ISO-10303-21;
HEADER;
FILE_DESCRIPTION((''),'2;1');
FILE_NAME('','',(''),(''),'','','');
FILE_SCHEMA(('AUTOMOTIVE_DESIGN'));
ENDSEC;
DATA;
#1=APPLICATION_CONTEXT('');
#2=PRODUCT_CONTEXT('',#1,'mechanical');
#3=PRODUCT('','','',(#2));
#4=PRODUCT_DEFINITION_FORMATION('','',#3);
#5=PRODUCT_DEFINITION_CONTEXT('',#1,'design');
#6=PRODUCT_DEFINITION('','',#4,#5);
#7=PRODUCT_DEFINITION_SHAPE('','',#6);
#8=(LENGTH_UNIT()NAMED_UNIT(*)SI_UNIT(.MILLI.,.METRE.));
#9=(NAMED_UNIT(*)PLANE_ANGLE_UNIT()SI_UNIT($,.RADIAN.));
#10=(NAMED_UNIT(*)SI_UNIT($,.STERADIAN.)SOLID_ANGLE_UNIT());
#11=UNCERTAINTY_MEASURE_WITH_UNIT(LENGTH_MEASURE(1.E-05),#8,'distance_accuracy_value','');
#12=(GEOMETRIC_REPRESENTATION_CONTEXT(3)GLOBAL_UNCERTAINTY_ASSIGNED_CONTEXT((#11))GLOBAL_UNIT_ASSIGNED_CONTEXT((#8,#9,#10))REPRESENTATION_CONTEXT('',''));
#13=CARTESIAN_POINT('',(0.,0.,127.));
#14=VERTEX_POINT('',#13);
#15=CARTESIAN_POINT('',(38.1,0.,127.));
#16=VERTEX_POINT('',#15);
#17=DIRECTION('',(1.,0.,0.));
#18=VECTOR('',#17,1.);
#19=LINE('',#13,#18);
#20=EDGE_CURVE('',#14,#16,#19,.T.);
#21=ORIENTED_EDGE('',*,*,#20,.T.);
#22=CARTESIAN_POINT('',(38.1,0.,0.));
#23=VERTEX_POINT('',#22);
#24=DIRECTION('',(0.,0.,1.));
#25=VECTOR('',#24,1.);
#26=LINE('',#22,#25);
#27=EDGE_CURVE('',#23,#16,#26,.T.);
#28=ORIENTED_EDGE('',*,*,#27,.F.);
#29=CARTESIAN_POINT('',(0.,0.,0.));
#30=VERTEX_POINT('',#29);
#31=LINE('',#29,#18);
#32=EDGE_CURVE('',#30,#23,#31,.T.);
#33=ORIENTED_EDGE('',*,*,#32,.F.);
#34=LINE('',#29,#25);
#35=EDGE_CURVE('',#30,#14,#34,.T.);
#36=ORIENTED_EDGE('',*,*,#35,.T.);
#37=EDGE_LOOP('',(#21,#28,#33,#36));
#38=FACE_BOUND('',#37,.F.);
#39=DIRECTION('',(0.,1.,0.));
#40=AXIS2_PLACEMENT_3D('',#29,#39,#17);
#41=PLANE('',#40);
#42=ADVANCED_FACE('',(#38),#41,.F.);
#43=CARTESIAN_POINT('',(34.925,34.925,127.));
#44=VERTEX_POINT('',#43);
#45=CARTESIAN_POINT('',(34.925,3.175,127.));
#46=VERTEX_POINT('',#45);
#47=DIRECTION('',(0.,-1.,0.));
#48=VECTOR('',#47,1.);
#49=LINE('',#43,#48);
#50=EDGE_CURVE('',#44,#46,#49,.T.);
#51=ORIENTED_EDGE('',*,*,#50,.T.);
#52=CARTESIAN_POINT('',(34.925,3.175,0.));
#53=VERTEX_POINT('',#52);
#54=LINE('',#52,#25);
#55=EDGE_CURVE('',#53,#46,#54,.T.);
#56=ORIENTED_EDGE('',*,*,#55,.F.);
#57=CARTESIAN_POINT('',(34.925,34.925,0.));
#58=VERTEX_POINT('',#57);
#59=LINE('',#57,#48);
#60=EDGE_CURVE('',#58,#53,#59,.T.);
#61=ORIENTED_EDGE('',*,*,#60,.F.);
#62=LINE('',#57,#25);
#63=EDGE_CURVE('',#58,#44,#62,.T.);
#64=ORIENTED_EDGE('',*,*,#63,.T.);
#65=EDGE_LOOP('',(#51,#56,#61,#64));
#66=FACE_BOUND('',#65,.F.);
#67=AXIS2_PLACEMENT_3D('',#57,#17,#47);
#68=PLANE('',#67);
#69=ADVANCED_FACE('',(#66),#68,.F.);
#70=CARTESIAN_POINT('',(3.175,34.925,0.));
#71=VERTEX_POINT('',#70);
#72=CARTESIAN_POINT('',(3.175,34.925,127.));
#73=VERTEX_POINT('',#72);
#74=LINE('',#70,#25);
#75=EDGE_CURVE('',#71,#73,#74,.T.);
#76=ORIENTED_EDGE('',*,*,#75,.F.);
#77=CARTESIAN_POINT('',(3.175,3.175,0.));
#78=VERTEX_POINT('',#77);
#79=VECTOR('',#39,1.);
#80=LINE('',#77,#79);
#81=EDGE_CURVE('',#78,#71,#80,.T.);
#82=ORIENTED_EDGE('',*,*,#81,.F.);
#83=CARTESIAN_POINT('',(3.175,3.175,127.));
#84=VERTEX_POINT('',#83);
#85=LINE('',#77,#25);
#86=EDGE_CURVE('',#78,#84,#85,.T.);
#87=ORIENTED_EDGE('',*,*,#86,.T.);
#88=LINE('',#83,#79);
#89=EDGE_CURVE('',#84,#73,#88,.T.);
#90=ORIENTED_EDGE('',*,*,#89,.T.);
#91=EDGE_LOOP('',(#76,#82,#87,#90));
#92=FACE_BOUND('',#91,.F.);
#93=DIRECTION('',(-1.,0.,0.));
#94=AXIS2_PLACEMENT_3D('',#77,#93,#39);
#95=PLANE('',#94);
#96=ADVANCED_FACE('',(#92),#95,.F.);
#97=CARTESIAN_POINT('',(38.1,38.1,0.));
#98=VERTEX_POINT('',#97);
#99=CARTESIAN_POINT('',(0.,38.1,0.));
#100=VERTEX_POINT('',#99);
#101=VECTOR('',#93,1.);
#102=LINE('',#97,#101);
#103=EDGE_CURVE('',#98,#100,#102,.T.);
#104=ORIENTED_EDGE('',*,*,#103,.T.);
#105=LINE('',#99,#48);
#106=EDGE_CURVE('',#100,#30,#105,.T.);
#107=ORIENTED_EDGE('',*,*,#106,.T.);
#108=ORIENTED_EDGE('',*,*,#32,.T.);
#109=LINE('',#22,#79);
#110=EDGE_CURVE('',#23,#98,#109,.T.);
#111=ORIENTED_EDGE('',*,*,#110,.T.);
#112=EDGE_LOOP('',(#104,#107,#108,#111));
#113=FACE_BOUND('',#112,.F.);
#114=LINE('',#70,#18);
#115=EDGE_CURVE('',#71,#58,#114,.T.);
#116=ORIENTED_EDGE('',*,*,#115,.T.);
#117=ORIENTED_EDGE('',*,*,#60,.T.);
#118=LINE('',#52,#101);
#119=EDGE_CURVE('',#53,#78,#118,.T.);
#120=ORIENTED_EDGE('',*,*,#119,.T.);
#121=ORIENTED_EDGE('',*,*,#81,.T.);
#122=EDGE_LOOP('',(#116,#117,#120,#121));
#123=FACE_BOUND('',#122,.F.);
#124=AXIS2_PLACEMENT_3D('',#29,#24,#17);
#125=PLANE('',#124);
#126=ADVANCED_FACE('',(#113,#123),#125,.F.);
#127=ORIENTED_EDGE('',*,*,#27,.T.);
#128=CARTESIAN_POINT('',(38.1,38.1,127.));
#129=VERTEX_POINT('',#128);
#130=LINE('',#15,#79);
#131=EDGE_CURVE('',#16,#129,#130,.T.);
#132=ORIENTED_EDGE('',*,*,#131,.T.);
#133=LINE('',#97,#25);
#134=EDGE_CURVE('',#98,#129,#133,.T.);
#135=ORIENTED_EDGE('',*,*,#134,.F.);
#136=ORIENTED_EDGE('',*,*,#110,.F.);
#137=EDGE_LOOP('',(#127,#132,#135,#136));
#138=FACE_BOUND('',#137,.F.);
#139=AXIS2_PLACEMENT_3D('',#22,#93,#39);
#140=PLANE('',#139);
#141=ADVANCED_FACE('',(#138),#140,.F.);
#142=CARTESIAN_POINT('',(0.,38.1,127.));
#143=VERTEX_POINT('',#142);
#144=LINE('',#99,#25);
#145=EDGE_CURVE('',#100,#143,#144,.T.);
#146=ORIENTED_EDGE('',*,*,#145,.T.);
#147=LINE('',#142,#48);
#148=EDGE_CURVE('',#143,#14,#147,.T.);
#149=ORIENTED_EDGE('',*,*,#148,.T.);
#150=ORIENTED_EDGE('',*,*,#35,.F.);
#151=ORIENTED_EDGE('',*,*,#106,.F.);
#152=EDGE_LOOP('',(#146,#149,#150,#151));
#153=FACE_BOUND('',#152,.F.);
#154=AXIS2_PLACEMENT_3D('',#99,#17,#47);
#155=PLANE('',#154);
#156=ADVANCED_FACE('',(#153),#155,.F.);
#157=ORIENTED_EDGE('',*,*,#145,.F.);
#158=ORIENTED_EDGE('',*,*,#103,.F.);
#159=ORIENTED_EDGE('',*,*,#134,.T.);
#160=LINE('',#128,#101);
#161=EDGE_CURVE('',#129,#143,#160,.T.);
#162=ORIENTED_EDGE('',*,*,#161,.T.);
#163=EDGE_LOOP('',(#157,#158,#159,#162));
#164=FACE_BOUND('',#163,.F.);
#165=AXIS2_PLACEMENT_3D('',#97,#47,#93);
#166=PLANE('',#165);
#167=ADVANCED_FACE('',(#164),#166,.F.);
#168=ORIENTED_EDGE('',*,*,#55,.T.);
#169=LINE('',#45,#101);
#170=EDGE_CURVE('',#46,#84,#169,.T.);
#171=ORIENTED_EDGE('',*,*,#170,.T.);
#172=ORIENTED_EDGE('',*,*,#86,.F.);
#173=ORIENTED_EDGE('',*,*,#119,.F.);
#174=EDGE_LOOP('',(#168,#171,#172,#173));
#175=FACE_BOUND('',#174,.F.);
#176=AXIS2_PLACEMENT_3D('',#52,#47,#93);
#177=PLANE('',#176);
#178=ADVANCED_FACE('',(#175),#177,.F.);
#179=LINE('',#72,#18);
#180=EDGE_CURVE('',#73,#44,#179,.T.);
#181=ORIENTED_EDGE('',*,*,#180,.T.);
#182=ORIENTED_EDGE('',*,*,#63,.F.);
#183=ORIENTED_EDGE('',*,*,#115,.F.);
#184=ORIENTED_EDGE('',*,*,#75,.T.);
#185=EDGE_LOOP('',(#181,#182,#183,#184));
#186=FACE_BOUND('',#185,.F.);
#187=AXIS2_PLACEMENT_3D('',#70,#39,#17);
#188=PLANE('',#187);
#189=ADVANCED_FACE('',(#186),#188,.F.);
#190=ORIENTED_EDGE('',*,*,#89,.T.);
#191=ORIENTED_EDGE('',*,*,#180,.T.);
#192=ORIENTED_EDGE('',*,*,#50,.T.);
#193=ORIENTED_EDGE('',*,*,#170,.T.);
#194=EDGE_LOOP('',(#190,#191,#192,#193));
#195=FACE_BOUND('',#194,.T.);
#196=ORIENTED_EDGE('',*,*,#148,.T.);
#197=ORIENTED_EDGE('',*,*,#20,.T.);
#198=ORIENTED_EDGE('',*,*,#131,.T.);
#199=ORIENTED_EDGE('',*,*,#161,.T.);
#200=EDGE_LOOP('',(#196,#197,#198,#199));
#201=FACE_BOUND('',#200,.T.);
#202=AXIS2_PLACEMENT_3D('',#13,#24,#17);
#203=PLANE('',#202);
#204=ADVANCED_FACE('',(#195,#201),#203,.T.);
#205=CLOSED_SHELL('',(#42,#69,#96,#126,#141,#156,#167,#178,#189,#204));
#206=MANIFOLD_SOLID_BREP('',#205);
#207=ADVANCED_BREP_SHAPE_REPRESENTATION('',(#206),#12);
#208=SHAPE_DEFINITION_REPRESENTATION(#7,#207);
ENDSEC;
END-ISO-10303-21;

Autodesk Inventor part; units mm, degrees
ref_plane "YZ Plane" through (0, 0, 0) normal (1, 0, 0) x (0, 1, 0)
ref_plane "XZ Plane" through (0, 0, 0) normal (0, 1, 0) x (-1, 0, 0)
ref_plane "XY Plane" through (0, 0, 0) normal (0, 0, 1) x (1, 0, 0)
sketch "Sketch1" plane through (0, 0, 0) normal (0, 0, 1) x (1, 0, 0)
  line L0 (0, 0) -> (38.1, 0)
  line L1 (38.1, 0) -> (38.1, 38.1)
  line L2 (38.1, 38.1) -> (0, 38.1)
  line L3 (0, 38.1) -> (0, 0)
  line L4 (34.925, 34.925) -> (34.925, 3.175)
  line L5 (34.925, 3.175) -> (3.175, 3.175)
  line L6 (3.175, 3.175) -> (3.175, 34.925)
  line L7 (3.175, 34.925) -> (34.925, 34.925)
  dimension "d0" = 38.1
  dimension "d1" = 38.1
  dimension "d2" = 3.175
extrude "Extrusion1" add sketch "Sketch1" along normal blind 127
equation "\"d0\" = d1"
properties part number "testRoboRescue_Chassis_Frame_lengthBar" material "Aluminum 6061"
